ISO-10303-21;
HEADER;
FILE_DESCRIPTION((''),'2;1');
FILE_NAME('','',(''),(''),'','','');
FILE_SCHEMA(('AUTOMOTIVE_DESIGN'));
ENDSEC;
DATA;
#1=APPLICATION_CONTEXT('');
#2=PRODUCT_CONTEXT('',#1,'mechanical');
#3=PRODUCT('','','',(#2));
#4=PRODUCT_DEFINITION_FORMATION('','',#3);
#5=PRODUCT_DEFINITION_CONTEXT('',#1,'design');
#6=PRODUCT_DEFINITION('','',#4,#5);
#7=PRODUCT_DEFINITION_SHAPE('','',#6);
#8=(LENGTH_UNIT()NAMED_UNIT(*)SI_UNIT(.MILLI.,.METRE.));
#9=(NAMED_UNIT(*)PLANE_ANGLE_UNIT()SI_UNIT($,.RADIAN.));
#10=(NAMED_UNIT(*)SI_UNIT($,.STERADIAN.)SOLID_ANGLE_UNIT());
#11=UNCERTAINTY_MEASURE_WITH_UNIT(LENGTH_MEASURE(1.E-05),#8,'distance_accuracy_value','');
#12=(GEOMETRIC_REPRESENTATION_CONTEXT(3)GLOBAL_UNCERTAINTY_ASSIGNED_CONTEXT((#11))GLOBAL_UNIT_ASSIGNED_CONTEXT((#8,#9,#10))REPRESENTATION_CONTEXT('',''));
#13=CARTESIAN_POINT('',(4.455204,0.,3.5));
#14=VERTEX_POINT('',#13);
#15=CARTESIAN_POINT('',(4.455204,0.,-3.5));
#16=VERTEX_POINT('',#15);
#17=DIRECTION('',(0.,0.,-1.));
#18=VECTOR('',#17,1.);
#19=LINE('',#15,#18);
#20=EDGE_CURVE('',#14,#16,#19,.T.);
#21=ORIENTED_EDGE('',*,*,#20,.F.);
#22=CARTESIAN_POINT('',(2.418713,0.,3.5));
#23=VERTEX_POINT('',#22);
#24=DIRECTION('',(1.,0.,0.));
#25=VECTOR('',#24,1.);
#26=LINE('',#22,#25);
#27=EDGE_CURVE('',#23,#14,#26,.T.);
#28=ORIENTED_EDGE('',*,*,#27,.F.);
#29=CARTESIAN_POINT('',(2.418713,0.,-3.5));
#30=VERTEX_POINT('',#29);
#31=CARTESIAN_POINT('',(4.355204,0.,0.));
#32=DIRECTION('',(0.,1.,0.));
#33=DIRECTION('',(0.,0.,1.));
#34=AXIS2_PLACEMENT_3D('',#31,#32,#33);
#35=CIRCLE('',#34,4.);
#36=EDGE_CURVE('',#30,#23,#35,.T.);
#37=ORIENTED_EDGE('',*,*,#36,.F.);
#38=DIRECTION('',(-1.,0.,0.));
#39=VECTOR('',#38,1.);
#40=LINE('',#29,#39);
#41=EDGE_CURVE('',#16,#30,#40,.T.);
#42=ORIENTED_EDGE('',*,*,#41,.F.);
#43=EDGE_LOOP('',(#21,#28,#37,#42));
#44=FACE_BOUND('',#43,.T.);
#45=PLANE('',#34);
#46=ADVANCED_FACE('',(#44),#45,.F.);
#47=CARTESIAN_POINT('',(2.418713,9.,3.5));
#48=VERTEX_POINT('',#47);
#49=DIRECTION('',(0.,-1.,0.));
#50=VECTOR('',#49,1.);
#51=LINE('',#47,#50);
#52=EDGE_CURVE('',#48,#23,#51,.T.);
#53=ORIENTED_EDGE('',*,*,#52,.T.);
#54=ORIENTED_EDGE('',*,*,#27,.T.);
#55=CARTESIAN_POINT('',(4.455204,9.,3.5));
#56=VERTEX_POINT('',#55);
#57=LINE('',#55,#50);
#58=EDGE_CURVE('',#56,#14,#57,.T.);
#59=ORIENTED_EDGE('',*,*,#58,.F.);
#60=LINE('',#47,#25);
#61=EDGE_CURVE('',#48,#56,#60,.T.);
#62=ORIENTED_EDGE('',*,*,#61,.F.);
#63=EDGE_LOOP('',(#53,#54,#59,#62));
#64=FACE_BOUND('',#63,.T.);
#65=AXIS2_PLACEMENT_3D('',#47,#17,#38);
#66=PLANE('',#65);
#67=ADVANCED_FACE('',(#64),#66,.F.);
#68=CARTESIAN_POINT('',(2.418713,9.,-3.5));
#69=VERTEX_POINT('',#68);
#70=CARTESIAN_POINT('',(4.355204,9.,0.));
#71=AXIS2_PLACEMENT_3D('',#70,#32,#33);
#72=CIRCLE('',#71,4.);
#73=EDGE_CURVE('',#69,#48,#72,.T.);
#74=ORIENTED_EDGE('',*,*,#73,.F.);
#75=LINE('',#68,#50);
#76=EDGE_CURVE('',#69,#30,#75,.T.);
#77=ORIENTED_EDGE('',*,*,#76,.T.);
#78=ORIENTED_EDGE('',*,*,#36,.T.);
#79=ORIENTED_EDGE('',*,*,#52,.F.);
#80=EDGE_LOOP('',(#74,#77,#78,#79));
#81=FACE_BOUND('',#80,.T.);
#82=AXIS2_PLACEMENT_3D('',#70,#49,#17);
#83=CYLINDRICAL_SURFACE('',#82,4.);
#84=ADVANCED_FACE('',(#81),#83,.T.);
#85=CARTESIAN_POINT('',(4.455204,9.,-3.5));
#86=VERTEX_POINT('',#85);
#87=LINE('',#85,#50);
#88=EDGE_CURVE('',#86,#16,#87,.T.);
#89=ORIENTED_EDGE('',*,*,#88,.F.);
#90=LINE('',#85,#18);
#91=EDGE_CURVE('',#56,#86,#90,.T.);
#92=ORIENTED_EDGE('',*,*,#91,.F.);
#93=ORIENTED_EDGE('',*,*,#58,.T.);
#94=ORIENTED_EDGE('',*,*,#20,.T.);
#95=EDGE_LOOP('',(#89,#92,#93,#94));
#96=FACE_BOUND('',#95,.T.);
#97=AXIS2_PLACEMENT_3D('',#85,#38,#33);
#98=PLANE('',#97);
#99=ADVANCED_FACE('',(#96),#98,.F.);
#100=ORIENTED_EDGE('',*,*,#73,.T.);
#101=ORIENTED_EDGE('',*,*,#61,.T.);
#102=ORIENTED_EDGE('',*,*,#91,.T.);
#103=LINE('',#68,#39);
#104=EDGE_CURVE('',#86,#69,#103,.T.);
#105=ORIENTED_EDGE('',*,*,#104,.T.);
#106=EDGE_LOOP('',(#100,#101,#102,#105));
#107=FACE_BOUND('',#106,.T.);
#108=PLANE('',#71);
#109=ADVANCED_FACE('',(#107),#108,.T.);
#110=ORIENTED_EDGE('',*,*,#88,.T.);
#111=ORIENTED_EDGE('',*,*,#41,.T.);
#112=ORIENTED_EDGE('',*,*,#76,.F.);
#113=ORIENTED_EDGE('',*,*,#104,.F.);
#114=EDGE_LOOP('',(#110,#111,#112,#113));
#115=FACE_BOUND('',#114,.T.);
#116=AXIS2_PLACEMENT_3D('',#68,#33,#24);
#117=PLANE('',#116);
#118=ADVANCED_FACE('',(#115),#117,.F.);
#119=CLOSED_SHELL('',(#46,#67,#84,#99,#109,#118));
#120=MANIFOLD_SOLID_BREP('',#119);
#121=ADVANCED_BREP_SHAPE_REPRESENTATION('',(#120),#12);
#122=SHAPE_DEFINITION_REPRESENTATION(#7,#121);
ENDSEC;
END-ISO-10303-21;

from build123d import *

# Parameters (mm, degrees)
EXTRUDE_1_DEPTH = 9


with BuildPart() as part:
    # 草图1 → 凸台-拉伸1 (new body)
    with BuildSketch(Plane(origin=(0, 0, 0), x_dir=(1, 0, 0), z_dir=(0, 1, 0))):
        with BuildLine():
            Line((2.418712662, 3.5), (4.455204335, 3.5))
            Line((4.455204335, 3.5), (4.455204335, -3.5))
            Line((4.455204335, -3.5), (2.418712662, -3.5))
            ThreePointArc((2.418712662, -3.5), (0.355204335, 0), (2.418712662, 3.5))
        make_face()
    extrude(amount=EXTRUDE_1_DEPTH)


solid = part.part
